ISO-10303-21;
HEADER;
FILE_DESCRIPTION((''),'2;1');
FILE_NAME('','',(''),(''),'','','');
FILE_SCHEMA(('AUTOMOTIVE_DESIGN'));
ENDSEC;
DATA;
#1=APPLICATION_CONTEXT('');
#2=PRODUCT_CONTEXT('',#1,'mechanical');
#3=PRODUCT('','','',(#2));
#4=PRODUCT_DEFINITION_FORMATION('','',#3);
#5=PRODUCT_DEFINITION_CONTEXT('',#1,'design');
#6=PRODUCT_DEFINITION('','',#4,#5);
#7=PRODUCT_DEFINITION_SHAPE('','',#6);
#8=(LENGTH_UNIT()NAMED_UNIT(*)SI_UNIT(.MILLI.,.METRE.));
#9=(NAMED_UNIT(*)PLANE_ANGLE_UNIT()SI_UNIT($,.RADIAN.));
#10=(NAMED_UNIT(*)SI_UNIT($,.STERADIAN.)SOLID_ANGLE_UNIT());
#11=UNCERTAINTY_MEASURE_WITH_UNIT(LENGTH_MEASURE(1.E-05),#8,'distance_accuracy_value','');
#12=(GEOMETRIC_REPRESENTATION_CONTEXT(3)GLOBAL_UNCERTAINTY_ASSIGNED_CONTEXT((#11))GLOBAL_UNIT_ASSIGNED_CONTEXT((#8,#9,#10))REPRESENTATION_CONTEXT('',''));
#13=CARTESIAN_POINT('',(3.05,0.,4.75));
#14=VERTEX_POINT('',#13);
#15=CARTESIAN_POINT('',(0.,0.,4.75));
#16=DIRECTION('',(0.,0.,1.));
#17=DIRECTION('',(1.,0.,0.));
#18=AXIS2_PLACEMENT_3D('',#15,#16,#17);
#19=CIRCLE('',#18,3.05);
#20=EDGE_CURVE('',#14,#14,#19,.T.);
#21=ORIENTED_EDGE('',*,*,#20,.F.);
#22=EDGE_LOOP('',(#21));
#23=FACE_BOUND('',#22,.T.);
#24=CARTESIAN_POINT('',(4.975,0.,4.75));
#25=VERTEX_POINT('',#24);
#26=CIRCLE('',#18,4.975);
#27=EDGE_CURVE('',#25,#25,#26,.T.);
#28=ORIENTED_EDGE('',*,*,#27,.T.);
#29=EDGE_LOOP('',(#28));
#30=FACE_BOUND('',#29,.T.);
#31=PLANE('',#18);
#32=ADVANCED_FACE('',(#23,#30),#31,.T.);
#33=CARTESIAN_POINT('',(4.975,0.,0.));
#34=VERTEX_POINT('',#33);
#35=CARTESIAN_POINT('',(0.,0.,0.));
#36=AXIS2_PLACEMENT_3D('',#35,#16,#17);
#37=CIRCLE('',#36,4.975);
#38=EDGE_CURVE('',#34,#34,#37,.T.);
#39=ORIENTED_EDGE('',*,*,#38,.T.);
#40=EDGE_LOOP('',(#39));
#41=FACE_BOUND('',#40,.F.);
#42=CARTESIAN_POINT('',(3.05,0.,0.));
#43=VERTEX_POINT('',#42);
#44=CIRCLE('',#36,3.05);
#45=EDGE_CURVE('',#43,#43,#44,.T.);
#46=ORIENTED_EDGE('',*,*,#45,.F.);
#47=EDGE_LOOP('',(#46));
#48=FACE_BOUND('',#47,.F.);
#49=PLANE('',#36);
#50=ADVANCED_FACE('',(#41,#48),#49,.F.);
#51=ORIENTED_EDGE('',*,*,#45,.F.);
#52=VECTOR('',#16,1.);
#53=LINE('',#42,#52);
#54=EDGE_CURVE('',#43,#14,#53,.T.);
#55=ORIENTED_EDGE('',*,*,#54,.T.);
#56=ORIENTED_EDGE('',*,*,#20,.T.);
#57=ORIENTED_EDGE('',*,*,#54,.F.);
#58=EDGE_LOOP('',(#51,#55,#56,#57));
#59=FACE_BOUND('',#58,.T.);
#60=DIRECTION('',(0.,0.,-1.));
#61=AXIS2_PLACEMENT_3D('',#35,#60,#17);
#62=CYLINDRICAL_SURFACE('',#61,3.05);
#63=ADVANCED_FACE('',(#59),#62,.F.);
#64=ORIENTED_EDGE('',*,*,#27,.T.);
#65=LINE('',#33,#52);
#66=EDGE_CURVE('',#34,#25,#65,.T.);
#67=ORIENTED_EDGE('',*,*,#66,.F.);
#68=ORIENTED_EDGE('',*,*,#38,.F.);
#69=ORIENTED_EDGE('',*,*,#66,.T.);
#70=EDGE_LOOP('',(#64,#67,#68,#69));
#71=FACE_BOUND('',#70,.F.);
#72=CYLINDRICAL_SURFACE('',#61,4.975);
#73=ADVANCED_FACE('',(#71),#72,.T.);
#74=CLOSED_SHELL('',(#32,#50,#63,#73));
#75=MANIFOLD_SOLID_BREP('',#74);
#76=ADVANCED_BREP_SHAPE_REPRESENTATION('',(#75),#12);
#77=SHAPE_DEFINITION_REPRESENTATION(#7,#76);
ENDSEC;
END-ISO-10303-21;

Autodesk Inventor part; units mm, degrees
ref_plane "YZ Plane" through (0, 0, 0) normal (1, 0, 0) x (0, 1, 0)
ref_plane "XZ Plane" through (0, 0, 0) normal (0, 1, 0) x (-1, 0, 0)
ref_plane "XY Plane" through (0, 0, 0) normal (0, 0, 1) x (1, 0, 0)
sketch "Sketch1" plane through (0, 0, 0) normal (0, 0, 1) x (1, 0, 0)
  circle A0 centre (0, 0) radius 4.975
  circle A1 centre (0, 0) radius 3.05
  dimension "d0" = 9.95
  dimension "d1" = 6.1
extrude "Extrusion1" add sketch "Sketch1" along normal blind 4.75
properties part number "threadSpacer"
